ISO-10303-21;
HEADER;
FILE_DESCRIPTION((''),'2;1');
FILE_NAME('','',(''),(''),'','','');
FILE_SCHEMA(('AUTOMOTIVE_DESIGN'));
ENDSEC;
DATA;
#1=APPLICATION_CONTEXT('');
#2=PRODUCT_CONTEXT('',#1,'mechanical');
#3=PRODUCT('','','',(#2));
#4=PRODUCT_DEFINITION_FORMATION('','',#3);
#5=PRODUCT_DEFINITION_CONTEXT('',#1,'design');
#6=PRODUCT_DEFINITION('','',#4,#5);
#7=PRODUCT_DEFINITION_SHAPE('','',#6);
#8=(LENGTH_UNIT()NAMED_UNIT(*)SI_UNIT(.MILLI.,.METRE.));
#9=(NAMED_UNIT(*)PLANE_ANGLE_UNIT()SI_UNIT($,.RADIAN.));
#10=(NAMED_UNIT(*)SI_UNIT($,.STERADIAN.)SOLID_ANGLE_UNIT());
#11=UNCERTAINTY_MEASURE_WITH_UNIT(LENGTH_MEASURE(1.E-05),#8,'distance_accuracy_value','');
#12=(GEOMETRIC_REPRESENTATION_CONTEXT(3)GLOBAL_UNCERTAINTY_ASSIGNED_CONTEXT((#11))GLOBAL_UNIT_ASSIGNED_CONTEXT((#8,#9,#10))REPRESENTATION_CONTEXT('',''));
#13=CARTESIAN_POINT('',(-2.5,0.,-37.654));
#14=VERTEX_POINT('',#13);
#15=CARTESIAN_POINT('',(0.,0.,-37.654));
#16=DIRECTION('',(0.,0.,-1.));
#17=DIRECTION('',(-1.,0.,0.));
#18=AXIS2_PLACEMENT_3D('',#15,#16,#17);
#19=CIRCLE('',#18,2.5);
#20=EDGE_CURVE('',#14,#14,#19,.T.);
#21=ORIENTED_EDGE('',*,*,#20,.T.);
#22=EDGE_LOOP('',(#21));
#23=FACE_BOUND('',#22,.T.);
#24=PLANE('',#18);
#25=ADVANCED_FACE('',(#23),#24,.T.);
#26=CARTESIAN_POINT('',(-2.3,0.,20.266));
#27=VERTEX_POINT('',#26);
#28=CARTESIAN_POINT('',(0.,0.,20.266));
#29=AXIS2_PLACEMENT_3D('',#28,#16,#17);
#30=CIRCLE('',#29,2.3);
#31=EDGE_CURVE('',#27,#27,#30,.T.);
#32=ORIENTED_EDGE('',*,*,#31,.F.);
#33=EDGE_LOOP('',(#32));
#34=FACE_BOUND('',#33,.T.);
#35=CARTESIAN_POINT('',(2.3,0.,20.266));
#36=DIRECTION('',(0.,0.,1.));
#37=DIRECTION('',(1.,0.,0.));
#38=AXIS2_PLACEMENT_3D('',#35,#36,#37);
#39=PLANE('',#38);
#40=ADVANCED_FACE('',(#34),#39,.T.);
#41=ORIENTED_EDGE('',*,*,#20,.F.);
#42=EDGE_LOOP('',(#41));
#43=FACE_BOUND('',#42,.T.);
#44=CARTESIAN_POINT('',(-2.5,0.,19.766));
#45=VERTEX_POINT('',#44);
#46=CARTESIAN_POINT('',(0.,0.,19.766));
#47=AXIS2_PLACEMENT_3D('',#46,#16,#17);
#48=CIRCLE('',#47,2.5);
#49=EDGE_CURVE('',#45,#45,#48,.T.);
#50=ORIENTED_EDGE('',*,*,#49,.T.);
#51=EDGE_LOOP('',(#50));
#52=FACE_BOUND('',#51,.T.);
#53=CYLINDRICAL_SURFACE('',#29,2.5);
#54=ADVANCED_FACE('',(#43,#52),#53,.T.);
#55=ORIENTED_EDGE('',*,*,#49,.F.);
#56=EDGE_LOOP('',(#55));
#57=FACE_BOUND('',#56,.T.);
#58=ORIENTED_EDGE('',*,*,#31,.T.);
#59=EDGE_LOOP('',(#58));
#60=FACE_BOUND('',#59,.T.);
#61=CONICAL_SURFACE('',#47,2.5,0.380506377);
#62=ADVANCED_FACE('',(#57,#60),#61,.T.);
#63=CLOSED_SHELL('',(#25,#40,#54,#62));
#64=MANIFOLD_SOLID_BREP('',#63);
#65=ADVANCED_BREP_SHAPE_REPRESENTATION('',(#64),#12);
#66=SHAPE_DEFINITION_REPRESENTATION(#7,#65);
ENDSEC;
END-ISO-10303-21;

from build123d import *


with BuildPart() as part:
    # Sketch1 → Revolve1 (revolve)
    with BuildSketch(Plane.XZ):
        Polygon((2.3, 20.266), (0, 20.266), (0, -37.654), (2.5, -37.654), (2.5, 19.766), align=None)
    revolve(axis=Axis((0, 0, 20.266), (0, 0, -1)))


solid = part.part
